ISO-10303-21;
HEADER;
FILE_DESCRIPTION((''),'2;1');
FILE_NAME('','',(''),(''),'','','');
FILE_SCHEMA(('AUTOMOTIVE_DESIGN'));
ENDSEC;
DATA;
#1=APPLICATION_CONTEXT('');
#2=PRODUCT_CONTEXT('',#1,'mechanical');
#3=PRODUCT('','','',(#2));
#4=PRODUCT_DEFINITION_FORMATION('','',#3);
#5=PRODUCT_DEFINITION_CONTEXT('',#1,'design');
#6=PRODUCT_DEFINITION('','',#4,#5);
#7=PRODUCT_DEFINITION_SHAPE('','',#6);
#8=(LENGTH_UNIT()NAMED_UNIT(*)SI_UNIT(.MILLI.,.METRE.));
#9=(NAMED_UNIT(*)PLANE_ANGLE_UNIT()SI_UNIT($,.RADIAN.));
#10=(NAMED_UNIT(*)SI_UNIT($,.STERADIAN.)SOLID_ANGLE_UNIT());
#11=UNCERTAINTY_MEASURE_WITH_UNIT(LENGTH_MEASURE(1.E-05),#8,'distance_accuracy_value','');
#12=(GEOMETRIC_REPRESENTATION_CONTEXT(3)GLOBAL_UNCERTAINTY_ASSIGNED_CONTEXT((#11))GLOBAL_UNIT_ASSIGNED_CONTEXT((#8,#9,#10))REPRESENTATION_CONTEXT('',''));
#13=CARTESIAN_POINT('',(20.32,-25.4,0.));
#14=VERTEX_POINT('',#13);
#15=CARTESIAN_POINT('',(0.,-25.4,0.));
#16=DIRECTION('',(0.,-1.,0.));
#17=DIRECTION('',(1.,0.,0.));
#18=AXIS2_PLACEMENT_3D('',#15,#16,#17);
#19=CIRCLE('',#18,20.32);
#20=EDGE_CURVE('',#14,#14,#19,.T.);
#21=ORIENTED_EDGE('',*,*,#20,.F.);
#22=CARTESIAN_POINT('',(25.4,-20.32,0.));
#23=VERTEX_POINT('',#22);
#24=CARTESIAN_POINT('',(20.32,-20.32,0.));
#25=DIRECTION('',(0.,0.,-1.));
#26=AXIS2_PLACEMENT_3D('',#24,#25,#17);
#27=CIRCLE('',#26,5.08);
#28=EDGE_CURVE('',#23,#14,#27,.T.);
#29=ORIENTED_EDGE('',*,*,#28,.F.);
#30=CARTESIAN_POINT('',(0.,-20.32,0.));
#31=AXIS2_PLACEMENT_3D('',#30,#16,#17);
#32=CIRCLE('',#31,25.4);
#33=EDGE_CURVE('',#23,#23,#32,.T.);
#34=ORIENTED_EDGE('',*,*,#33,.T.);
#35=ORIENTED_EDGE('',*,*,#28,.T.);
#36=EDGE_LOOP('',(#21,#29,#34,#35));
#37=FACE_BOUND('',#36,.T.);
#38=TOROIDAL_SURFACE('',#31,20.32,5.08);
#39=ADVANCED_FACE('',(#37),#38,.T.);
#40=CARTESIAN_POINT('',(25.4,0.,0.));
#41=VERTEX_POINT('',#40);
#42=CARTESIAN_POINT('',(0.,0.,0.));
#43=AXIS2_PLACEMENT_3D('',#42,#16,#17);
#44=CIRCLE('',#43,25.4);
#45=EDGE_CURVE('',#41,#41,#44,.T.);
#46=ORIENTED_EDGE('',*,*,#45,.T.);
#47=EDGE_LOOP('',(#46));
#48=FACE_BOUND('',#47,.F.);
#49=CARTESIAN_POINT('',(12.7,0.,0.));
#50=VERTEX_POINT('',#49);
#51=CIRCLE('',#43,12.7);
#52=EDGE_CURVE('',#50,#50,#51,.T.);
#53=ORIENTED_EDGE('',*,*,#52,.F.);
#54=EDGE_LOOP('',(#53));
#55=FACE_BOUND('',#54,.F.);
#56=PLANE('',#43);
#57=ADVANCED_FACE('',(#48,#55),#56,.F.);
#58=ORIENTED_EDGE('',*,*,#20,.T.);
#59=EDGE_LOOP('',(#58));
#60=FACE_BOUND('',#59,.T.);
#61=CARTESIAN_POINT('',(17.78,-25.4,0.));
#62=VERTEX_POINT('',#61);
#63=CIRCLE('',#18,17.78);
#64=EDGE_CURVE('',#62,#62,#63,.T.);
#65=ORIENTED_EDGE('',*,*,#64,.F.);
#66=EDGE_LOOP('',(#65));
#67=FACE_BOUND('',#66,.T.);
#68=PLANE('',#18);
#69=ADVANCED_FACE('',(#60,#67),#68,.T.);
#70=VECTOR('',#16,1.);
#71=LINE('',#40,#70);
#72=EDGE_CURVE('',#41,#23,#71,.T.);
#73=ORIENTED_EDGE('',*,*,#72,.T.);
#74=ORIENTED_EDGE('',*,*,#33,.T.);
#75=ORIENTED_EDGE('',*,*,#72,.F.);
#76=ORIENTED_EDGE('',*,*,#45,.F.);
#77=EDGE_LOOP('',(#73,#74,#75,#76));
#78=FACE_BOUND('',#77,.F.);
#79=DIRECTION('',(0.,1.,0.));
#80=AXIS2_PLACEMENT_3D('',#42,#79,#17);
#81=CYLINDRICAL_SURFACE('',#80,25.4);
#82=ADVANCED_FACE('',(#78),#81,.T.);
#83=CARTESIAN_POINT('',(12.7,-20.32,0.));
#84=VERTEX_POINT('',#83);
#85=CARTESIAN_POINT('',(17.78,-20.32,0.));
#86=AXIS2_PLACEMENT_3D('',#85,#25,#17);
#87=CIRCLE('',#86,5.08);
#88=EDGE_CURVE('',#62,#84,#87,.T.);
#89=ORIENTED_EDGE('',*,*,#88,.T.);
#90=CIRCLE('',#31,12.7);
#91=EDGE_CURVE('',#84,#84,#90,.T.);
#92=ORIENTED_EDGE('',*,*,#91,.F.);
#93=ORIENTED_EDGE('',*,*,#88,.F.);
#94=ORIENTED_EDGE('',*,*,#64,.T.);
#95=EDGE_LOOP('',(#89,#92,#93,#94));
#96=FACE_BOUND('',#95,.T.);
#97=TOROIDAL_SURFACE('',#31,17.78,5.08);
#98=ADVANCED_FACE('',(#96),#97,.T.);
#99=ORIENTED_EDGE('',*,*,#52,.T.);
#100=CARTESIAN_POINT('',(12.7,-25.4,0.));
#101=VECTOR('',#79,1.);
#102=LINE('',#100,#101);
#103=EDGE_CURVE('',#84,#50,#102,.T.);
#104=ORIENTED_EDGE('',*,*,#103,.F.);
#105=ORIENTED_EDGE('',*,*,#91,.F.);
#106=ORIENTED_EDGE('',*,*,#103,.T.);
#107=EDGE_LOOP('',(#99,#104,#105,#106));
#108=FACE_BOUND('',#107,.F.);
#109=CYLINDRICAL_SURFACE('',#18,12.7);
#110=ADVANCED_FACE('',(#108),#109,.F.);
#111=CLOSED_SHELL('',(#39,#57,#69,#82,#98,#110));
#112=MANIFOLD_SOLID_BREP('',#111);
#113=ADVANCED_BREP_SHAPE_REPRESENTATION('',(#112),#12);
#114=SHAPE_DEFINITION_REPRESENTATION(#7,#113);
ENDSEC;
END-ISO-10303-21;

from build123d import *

# Parameters (mm, degrees)
F0_R     = 25.4
F1_DEPTH = 25.4
F2_R     = 12.7
F3_DEPTH = 25.401
F4_R     = 5.08


with BuildPart() as f1:
    # F0 (on Front) → F1 (new body)
    with BuildSketch(Plane.XZ):
        Circle(F0_R)
    extrude(amount=F1_DEPTH)

    # F2 (on face) → F3 (cut, through all)
    with BuildSketch(Plane.XZ.offset(25.4)):
        Circle(F2_R)
    extrude(amount=-F3_DEPTH, mode=Mode.SUBTRACT)

    # F4
    f4_edges = [f1.edges().sort_by_distance(p)[0] for p in [
        (-25.4, -25.4, 0),
        (-12.7, -25.4, 0),
    ]]
    fillet(f4_edges, radius=F4_R)


solid = f1.part
